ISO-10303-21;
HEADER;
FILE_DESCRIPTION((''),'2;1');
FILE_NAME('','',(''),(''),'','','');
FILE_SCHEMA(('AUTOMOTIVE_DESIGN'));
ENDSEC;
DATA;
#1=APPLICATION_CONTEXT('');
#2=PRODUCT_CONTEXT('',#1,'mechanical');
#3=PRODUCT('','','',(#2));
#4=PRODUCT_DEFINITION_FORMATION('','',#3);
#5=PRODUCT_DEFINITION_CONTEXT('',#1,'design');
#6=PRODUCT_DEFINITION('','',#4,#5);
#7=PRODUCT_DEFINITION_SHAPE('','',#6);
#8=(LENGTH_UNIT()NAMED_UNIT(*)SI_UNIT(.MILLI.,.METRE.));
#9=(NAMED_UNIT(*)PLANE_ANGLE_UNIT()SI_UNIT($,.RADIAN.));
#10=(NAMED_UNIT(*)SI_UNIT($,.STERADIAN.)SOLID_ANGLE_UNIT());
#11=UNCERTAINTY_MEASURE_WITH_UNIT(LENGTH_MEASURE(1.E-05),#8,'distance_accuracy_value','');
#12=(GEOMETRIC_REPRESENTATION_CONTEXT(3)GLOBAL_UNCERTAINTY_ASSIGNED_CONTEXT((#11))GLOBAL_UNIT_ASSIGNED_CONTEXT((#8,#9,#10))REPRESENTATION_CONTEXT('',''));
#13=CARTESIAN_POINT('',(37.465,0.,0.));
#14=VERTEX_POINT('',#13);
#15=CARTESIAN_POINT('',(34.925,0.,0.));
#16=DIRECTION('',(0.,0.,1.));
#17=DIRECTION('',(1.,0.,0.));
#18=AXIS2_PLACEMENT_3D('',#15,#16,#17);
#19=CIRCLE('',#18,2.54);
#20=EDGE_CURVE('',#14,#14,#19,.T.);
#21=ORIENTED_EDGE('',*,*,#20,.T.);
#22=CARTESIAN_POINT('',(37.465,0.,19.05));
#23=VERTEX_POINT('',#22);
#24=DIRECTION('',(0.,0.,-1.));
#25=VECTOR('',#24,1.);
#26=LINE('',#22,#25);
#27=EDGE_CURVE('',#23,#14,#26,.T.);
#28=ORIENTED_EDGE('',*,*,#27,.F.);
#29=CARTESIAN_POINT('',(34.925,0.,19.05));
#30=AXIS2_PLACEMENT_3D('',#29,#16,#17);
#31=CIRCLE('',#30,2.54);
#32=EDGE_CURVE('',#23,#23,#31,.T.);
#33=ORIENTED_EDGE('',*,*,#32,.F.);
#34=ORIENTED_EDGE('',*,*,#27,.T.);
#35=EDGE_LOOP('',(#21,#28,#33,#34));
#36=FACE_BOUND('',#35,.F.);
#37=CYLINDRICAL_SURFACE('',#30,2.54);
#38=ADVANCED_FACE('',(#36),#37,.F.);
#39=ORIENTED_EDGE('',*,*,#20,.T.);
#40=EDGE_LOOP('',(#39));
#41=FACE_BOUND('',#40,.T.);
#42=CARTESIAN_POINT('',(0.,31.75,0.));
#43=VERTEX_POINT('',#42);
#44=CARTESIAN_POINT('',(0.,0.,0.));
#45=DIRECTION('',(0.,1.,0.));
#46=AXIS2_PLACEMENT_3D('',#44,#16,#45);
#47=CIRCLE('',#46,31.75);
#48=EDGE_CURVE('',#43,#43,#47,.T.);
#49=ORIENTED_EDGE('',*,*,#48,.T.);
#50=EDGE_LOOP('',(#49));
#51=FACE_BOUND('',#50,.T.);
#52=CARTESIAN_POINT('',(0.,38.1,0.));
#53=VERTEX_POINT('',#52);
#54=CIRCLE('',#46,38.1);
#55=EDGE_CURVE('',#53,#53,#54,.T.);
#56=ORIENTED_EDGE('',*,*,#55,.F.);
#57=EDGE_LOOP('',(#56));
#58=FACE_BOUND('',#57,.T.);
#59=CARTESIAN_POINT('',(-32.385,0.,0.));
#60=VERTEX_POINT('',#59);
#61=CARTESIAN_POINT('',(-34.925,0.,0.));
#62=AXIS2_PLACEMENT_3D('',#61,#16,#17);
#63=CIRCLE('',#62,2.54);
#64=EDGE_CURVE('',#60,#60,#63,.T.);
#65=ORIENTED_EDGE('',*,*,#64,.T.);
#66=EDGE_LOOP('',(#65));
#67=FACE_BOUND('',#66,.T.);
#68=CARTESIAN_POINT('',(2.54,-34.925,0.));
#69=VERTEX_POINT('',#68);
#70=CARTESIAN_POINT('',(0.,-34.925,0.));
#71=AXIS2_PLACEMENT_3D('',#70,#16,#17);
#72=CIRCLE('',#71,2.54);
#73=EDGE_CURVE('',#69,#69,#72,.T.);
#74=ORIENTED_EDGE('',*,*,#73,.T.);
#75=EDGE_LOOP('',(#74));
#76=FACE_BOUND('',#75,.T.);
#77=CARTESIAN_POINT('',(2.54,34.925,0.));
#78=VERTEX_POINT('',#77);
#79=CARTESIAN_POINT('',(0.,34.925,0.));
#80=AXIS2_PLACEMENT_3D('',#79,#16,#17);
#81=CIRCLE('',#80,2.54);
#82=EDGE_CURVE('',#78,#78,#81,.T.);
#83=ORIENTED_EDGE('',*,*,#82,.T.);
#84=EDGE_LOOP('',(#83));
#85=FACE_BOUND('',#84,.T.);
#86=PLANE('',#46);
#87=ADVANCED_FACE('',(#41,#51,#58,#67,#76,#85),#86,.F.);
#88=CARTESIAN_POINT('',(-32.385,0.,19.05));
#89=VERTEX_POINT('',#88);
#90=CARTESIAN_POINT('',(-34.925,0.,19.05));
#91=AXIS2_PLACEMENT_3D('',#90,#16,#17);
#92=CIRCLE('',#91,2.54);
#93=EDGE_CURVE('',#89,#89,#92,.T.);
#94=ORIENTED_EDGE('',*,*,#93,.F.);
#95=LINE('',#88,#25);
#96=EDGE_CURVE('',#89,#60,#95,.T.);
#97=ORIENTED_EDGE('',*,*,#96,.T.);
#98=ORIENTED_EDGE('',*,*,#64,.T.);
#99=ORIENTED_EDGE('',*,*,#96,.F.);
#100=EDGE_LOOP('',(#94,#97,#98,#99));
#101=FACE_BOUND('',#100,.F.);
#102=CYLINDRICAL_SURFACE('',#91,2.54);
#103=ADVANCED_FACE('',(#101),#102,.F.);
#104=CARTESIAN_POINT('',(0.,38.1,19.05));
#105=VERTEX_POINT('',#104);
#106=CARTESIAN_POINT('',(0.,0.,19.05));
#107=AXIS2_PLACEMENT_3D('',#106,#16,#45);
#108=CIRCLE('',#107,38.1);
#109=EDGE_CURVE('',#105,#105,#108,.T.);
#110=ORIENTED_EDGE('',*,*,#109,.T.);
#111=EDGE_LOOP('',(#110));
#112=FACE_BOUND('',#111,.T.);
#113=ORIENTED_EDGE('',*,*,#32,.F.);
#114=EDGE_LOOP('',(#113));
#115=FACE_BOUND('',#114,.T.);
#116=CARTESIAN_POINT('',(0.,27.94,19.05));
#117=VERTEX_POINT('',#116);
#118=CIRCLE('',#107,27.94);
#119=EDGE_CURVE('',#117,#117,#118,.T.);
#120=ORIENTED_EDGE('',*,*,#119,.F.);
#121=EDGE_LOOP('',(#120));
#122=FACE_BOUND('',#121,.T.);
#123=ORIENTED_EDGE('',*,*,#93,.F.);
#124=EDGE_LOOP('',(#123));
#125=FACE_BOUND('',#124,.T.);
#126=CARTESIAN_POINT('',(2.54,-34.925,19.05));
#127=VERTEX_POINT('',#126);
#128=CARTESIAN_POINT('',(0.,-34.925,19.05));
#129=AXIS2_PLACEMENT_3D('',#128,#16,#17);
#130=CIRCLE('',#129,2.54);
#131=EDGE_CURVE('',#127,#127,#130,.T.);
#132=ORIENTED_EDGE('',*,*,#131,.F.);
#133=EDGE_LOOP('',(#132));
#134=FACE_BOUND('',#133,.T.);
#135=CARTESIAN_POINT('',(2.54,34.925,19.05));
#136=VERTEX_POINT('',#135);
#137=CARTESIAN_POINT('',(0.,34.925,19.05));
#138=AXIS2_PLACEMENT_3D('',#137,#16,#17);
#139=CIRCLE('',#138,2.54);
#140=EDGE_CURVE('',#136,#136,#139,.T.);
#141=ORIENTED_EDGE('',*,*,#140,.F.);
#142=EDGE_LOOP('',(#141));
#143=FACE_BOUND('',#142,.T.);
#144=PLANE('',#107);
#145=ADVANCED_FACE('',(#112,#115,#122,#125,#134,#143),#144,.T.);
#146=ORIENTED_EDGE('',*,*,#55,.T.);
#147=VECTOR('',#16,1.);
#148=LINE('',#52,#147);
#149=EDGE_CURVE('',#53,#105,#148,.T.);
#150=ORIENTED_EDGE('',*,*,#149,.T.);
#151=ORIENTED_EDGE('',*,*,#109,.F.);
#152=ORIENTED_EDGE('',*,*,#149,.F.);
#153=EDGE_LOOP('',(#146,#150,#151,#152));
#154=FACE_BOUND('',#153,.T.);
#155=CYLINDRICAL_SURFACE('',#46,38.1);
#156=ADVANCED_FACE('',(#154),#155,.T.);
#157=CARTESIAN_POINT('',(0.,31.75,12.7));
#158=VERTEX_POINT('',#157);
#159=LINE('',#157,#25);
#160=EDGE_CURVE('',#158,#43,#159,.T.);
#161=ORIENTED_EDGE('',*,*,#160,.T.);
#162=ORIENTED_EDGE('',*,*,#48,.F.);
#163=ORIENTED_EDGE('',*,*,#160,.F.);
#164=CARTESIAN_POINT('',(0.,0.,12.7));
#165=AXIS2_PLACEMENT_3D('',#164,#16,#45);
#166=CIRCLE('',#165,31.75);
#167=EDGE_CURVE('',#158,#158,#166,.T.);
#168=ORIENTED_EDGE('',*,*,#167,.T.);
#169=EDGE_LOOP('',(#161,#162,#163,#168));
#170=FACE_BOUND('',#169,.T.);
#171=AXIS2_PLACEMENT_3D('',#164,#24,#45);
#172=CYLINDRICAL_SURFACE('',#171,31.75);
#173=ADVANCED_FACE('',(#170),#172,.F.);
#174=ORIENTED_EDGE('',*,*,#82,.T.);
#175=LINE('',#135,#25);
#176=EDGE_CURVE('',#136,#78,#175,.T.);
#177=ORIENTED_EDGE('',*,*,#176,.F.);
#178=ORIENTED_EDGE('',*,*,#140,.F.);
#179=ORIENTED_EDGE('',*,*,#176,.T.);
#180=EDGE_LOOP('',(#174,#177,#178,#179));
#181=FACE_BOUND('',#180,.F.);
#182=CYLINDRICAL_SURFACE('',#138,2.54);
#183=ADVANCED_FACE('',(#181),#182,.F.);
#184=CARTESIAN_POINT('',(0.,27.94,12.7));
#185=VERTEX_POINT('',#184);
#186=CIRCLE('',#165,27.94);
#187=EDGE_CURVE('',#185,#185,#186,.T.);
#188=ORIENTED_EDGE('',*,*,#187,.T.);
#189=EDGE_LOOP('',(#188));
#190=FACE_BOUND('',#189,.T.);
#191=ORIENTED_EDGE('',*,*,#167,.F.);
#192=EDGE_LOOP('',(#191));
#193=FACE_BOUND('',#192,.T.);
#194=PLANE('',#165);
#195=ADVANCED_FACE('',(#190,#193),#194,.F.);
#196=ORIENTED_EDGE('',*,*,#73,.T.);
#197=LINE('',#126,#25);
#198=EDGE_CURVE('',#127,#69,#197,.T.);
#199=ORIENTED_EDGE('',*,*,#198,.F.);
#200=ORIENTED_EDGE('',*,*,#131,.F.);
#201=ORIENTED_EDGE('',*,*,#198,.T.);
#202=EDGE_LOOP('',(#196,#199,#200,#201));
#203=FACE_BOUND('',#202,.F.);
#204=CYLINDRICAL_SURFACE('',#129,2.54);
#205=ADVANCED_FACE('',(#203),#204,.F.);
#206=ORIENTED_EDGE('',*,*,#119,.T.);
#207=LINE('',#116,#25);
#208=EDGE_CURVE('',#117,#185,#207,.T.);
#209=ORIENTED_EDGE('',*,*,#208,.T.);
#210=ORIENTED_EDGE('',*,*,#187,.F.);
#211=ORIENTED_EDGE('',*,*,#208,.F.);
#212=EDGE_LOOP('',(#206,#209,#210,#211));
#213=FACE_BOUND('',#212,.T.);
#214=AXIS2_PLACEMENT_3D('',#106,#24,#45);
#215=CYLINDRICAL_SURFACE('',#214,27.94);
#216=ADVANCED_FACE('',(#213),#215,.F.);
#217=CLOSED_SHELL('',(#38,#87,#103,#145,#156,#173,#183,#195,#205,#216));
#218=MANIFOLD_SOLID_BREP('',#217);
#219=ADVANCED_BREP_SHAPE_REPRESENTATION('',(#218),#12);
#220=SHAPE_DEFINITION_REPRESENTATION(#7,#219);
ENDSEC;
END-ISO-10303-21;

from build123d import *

# Parameters (mm, degrees)
F2_R     = 2.54
F3_DEPTH = 25.4


with BuildPart() as f1:
    # F0 (on Right) → F1 (revolve)
    with BuildSketch(Plane.YZ):
        Polygon((31.75, 12.7), (31.75, 0), (38.1, 0), (38.1, 19.05), (27.94, 19.05), (27.94, 12.7), align=None)
    revolve(axis=Axis((0, 0, 13.59911), (0, 0, 1)))

    # F2 (on face) → F3 (cut)
    with BuildSketch(Plane.XY.offset(19.05)):
        with Locations((-34.925, 0)):
            Circle(F2_R)
        with Locations((0, 34.925)):
            Circle(F2_R)
        with Locations((34.925, 0)):
            Circle(F2_R)
        with Locations((0, -34.925)):
            Circle(F2_R)
    extrude(amount=-F3_DEPTH, mode=Mode.SUBTRACT)


solid = f1.part
